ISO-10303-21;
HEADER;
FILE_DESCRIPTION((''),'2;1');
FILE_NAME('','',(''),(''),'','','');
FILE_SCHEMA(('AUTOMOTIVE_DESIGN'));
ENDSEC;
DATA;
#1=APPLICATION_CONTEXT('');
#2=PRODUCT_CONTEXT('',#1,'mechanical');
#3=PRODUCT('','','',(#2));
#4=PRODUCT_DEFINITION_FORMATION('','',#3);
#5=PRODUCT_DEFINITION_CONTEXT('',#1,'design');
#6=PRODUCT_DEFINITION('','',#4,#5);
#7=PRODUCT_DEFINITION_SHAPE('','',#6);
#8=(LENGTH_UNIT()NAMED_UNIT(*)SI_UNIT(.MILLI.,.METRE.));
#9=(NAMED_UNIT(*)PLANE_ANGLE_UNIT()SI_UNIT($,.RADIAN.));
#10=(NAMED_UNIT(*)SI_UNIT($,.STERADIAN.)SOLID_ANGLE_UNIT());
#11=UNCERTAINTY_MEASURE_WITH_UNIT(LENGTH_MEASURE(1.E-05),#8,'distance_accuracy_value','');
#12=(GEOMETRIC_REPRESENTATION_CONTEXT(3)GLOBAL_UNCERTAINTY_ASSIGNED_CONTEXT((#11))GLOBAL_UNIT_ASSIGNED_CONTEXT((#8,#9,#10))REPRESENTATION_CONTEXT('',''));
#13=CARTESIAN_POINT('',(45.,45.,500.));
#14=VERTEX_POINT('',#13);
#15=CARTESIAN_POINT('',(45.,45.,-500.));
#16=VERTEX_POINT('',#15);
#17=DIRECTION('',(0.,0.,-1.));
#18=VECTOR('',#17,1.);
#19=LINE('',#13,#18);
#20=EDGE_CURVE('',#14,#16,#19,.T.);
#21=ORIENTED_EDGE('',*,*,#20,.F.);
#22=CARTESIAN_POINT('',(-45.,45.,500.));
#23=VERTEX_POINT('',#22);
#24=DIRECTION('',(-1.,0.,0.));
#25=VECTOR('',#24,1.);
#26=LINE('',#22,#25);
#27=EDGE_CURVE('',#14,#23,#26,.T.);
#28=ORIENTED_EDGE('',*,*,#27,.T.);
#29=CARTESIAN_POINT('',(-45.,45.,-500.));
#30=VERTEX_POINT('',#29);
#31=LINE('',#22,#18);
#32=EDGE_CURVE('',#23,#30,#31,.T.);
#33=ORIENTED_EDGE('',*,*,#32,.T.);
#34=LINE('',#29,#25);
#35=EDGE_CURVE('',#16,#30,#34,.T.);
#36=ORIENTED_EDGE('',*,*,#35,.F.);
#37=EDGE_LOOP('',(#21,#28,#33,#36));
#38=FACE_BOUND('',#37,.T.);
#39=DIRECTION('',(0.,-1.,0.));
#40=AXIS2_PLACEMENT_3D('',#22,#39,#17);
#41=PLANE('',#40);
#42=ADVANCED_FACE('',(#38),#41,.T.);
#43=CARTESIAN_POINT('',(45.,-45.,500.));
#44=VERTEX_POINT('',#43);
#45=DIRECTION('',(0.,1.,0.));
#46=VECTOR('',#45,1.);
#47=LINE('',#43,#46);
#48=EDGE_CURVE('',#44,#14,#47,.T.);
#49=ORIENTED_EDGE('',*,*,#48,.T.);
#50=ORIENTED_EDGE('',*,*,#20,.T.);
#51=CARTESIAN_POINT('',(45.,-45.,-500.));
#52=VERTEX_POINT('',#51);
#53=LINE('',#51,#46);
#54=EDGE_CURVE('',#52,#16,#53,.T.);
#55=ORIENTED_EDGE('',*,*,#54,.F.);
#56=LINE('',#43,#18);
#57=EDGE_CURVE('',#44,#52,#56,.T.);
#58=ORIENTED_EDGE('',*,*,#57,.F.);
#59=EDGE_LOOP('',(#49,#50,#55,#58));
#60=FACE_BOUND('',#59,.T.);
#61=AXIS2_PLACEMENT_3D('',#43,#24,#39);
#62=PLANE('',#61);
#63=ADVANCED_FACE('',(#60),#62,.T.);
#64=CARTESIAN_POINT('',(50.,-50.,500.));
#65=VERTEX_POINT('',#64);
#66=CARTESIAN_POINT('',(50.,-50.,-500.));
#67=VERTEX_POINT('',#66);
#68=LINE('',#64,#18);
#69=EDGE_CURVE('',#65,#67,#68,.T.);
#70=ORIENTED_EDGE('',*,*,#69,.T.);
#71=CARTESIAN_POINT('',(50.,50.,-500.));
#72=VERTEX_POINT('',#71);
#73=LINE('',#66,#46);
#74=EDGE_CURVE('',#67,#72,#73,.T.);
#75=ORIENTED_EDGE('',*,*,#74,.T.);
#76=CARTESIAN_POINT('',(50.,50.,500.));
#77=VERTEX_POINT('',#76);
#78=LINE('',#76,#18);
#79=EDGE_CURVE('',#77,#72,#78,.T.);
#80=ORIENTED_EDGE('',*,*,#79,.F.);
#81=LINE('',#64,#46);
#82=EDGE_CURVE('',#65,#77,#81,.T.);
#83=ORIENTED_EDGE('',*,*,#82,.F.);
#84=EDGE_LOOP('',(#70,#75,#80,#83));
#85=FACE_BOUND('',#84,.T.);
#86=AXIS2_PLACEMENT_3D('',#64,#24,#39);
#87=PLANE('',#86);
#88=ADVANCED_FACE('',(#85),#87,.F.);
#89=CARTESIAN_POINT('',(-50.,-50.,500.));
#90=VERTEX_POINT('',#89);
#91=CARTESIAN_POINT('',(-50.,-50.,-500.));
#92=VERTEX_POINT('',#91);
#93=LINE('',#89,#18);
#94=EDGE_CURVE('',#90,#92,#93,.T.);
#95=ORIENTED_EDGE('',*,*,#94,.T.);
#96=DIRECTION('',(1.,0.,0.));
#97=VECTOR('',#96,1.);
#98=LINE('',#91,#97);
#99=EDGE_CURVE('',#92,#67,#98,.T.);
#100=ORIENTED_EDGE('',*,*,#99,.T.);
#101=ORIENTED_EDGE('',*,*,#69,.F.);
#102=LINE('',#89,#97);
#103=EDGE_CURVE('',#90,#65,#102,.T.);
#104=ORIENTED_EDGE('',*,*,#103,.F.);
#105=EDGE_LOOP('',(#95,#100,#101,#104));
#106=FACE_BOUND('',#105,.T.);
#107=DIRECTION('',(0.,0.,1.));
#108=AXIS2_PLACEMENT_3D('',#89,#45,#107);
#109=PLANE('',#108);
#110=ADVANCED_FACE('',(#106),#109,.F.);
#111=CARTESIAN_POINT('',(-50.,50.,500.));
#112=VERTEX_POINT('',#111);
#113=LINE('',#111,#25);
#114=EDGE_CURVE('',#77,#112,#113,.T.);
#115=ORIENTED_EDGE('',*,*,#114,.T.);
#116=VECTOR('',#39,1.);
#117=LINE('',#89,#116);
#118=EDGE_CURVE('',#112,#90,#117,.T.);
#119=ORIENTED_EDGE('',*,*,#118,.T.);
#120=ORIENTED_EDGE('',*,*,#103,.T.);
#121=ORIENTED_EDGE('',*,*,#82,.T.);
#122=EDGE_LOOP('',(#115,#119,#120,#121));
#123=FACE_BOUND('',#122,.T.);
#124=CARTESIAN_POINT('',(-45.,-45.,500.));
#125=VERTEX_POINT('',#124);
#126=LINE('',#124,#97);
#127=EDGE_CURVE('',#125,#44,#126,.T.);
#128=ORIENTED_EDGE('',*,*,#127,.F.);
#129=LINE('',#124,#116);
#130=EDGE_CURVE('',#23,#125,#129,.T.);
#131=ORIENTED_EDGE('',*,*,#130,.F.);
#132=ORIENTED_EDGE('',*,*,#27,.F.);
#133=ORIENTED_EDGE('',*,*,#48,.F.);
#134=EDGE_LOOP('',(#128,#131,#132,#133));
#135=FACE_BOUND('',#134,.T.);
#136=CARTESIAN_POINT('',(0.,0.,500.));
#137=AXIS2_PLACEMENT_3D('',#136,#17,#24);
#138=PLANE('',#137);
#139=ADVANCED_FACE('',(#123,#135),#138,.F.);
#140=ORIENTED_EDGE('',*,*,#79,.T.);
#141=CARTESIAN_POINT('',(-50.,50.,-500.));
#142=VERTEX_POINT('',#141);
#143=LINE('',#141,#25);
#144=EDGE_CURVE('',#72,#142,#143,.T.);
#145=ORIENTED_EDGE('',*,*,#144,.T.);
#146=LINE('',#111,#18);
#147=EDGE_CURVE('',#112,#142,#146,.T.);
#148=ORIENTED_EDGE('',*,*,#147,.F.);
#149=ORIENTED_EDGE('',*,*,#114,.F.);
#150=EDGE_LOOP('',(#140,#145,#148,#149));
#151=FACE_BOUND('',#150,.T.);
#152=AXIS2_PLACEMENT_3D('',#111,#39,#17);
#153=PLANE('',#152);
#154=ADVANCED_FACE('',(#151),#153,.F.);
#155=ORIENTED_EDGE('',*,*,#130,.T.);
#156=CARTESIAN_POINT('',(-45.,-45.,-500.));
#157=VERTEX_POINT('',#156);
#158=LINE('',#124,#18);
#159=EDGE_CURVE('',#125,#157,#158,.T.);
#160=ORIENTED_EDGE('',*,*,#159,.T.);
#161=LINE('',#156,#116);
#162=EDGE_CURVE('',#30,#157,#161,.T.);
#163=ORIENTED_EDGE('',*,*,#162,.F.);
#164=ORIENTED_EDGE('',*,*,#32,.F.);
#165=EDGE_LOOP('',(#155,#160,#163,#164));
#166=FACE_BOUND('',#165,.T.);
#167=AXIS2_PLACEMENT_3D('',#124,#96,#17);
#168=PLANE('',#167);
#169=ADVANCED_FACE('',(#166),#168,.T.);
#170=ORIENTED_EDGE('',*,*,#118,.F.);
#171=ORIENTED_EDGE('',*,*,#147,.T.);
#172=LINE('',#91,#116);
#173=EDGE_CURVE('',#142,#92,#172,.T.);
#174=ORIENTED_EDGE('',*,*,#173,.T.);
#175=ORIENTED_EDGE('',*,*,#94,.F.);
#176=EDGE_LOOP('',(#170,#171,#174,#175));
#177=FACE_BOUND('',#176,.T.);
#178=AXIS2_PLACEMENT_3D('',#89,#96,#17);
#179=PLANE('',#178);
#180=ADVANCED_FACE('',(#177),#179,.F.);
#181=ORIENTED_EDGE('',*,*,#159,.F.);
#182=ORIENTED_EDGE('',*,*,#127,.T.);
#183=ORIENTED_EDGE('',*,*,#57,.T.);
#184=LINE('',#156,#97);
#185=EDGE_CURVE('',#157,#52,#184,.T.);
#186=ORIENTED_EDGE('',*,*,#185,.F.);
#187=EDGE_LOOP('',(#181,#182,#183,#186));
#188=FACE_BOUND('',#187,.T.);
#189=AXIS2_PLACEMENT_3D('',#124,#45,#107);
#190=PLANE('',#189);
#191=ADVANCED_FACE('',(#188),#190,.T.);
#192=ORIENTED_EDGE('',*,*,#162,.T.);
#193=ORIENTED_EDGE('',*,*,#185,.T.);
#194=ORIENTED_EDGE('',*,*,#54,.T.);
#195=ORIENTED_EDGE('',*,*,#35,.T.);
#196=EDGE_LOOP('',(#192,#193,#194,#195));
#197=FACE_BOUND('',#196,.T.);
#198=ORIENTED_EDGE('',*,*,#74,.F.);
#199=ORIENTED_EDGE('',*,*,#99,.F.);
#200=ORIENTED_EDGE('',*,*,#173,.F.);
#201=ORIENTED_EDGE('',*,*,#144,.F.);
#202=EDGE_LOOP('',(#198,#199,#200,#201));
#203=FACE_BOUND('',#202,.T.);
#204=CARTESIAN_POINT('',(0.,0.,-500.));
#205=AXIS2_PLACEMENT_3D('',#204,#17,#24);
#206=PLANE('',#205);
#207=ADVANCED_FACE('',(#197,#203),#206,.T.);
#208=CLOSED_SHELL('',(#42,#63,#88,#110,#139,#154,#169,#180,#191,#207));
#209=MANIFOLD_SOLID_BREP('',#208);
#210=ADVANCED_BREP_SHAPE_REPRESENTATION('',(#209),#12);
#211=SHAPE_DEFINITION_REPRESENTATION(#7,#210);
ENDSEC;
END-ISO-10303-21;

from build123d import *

# Parameters (mm, degrees)
SKETCH1_W           = 100
SKETCH1_H           = 100
SKETCH1_W_2         = 90
SKETCH1_H_2         = 90
BOSS_EXTRUDE1_DEPTH = 500


with BuildPart() as part:
    # Sketch1 → Boss-Extrude1 (new body, symmetric)
    with BuildSketch(Plane.XY):
        Rectangle(SKETCH1_W, SKETCH1_H)
        Rectangle(SKETCH1_W_2, SKETCH1_H_2, mode=Mode.SUBTRACT)
    extrude(amount=BOSS_EXTRUDE1_DEPTH, both=True)


solid = part.part
